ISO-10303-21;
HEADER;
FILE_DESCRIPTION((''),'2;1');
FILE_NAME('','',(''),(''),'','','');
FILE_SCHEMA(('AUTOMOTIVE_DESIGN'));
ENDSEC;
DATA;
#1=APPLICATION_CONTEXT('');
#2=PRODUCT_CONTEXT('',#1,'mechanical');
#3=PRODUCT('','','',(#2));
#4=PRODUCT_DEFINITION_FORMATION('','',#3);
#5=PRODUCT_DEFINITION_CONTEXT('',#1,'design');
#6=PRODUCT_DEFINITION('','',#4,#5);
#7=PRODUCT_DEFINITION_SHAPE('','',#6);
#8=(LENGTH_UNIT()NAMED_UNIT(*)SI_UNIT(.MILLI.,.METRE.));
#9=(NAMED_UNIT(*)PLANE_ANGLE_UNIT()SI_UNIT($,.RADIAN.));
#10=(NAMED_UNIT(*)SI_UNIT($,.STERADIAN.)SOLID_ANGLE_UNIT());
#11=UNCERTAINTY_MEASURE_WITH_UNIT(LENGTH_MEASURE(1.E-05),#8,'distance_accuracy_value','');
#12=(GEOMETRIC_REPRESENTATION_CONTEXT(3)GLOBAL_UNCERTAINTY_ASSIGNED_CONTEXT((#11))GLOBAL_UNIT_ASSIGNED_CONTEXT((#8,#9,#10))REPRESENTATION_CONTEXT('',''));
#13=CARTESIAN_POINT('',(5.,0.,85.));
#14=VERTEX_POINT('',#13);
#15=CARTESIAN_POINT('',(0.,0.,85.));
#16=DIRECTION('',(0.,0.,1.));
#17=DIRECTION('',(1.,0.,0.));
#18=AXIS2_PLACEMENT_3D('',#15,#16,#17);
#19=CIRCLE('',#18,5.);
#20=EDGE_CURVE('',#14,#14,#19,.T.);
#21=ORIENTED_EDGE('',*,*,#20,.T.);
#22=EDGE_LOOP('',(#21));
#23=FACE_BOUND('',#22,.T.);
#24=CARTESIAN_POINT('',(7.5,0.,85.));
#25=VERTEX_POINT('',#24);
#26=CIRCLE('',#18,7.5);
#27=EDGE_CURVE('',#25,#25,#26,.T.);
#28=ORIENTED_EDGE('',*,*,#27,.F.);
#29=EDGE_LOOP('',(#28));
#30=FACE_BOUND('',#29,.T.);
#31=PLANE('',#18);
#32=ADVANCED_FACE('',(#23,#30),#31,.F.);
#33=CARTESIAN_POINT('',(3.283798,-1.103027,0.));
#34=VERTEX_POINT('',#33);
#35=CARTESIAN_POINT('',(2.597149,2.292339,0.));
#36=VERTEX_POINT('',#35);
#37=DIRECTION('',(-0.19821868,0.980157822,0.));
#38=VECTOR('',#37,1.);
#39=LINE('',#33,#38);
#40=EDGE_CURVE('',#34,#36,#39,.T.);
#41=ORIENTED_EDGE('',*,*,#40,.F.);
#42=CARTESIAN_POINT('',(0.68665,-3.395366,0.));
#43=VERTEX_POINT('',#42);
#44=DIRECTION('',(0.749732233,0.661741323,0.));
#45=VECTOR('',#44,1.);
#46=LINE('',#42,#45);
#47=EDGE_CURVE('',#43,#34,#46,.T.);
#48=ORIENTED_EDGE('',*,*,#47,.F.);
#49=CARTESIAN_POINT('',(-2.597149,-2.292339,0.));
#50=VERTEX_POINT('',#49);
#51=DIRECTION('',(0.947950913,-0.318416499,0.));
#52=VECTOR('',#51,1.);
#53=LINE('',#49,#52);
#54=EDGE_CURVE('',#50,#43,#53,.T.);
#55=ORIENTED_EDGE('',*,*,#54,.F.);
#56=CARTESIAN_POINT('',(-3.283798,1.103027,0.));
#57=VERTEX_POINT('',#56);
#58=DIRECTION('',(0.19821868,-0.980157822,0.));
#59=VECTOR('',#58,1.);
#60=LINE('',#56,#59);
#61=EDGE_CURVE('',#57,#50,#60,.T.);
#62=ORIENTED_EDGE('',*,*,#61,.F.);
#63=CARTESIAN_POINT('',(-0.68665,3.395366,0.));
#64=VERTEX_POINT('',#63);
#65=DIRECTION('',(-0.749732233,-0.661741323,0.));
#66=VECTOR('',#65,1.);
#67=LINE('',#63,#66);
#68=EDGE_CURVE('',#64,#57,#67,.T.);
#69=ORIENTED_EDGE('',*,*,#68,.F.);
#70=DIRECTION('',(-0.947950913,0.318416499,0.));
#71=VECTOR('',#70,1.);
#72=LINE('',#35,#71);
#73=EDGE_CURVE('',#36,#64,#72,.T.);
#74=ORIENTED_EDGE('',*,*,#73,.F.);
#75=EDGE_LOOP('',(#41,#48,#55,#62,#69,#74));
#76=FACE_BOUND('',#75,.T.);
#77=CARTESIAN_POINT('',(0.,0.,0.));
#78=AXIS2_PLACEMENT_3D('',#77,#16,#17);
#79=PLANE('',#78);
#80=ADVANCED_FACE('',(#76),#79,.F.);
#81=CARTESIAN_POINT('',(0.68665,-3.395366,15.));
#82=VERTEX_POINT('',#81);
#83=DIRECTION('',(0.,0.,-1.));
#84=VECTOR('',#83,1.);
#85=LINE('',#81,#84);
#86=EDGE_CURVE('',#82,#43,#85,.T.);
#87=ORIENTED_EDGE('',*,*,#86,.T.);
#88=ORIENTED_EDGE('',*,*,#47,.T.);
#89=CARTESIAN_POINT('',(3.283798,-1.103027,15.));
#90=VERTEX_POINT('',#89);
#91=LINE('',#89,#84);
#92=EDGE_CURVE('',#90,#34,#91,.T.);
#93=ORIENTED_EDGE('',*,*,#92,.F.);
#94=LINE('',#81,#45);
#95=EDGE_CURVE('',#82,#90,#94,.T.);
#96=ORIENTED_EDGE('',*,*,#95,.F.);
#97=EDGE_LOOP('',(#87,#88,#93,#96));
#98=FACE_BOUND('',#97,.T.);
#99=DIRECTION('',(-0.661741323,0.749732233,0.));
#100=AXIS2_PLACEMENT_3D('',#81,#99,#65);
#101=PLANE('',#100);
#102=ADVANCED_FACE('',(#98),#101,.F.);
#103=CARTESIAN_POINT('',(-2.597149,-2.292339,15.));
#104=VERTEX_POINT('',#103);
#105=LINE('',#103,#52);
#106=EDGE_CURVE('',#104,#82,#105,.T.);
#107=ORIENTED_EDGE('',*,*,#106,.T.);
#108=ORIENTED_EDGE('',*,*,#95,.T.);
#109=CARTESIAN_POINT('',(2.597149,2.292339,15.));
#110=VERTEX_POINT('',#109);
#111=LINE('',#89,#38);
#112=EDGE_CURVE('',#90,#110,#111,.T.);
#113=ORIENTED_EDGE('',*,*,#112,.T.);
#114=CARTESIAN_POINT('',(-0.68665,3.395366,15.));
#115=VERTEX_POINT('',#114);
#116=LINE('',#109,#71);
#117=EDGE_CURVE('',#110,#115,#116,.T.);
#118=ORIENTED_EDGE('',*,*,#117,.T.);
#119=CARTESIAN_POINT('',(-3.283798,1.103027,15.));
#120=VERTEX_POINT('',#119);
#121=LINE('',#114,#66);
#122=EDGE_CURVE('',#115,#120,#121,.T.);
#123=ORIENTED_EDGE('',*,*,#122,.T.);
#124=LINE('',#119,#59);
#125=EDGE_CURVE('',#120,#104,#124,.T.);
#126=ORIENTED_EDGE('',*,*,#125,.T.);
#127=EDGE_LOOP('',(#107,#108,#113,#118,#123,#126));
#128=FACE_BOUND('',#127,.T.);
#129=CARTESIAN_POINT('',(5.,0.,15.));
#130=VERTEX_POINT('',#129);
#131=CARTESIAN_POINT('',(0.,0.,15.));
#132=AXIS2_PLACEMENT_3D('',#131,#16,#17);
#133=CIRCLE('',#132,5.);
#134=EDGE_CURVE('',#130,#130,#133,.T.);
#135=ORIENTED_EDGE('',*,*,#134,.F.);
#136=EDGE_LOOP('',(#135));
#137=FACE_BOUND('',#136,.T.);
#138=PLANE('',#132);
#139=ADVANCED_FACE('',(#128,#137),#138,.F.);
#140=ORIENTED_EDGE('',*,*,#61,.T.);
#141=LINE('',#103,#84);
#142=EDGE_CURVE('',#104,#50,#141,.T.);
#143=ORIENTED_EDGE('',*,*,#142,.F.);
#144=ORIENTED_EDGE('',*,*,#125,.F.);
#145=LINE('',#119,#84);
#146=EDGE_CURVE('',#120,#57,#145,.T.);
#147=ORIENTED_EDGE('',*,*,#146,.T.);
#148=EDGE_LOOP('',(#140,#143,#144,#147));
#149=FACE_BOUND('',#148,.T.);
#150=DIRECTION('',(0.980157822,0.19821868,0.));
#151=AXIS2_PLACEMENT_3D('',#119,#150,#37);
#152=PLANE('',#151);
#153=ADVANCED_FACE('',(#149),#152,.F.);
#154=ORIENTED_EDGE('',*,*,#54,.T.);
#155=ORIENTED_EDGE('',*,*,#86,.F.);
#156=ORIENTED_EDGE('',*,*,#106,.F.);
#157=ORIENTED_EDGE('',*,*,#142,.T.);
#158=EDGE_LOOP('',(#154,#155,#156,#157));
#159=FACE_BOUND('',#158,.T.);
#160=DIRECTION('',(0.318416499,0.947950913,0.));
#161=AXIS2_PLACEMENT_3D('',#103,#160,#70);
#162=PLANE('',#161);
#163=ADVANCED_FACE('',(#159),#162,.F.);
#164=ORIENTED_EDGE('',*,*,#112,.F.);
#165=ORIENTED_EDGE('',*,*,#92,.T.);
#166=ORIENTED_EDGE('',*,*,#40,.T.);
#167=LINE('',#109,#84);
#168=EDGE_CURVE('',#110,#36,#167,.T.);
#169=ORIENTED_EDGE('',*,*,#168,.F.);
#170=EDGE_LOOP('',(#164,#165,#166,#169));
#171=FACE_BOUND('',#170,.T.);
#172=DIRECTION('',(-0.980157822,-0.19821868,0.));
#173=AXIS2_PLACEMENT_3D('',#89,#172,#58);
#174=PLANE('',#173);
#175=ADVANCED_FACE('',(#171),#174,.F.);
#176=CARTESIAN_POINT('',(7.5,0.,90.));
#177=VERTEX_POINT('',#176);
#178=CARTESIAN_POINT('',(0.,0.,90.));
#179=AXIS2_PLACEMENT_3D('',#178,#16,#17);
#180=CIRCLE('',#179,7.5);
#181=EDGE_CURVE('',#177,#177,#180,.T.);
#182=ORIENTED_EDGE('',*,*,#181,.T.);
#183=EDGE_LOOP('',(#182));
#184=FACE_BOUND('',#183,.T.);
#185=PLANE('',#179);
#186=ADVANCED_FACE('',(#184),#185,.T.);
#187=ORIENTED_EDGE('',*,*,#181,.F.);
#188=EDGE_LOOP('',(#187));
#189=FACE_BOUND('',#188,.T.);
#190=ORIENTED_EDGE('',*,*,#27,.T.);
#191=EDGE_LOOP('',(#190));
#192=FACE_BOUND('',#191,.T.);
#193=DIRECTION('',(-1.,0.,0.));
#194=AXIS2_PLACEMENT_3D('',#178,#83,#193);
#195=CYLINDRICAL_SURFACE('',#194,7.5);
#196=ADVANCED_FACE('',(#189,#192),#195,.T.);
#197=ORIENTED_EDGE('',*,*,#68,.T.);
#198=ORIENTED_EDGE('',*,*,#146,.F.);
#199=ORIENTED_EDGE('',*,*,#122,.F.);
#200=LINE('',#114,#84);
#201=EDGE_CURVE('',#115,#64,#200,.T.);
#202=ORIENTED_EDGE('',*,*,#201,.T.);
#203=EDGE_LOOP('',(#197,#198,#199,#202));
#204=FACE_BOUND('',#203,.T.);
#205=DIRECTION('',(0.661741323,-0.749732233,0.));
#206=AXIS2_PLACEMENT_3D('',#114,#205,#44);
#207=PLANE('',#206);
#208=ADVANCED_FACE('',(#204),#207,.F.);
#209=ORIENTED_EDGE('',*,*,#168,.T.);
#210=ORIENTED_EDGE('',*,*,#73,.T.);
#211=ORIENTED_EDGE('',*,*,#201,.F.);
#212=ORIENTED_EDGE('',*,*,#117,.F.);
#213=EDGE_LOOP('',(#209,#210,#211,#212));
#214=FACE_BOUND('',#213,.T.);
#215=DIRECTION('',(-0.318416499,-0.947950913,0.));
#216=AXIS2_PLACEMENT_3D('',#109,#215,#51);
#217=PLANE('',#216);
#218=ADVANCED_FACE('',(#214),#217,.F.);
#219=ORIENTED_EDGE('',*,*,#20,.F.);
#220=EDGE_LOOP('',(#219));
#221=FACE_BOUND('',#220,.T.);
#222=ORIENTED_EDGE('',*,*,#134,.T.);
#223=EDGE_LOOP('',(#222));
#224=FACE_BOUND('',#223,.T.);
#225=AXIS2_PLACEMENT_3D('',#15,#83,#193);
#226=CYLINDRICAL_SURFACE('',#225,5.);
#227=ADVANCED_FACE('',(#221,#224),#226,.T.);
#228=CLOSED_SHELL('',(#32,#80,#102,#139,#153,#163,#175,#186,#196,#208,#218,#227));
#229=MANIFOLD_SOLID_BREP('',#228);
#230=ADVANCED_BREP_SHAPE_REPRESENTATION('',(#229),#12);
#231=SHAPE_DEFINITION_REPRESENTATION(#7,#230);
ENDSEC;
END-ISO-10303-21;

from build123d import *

# Parameters (mm, degrees)
BOSS_EXTRU_1_DEPTH = 15
ESQUISSE2_R        = 5
BOSS_EXTRU_2_DEPTH = 70
ESQUISSE3_R        = 7.5
BOSS_EXTRU_3_DEPTH = 5


with BuildPart() as part:
    # Esquisse1 → Boss.-Extru.1 (new body)
    with BuildSketch(Plane.XY):
        Polygon((-0.686649648, 3.395366293), (-3.283798289, 1.103027108), (-2.597148641, -2.292339185), (0.686649648, -3.395366293), (3.283798289, -1.103027108), (2.597148641, 2.292339185), align=None)
    extrude(amount=BOSS_EXTRU_1_DEPTH)

    # Esquisse2 → Boss.-Extru.2 (add)
    with BuildSketch(Plane.XY.offset(15)):
        Circle(ESQUISSE2_R)
    extrude(amount=BOSS_EXTRU_2_DEPTH)

    # Esquisse3 → Boss.-Extru.3 (add)
    with BuildSketch(Plane.XY.offset(85)):
        Circle(ESQUISSE3_R)
    extrude(amount=BOSS_EXTRU_3_DEPTH)


solid = part.part
